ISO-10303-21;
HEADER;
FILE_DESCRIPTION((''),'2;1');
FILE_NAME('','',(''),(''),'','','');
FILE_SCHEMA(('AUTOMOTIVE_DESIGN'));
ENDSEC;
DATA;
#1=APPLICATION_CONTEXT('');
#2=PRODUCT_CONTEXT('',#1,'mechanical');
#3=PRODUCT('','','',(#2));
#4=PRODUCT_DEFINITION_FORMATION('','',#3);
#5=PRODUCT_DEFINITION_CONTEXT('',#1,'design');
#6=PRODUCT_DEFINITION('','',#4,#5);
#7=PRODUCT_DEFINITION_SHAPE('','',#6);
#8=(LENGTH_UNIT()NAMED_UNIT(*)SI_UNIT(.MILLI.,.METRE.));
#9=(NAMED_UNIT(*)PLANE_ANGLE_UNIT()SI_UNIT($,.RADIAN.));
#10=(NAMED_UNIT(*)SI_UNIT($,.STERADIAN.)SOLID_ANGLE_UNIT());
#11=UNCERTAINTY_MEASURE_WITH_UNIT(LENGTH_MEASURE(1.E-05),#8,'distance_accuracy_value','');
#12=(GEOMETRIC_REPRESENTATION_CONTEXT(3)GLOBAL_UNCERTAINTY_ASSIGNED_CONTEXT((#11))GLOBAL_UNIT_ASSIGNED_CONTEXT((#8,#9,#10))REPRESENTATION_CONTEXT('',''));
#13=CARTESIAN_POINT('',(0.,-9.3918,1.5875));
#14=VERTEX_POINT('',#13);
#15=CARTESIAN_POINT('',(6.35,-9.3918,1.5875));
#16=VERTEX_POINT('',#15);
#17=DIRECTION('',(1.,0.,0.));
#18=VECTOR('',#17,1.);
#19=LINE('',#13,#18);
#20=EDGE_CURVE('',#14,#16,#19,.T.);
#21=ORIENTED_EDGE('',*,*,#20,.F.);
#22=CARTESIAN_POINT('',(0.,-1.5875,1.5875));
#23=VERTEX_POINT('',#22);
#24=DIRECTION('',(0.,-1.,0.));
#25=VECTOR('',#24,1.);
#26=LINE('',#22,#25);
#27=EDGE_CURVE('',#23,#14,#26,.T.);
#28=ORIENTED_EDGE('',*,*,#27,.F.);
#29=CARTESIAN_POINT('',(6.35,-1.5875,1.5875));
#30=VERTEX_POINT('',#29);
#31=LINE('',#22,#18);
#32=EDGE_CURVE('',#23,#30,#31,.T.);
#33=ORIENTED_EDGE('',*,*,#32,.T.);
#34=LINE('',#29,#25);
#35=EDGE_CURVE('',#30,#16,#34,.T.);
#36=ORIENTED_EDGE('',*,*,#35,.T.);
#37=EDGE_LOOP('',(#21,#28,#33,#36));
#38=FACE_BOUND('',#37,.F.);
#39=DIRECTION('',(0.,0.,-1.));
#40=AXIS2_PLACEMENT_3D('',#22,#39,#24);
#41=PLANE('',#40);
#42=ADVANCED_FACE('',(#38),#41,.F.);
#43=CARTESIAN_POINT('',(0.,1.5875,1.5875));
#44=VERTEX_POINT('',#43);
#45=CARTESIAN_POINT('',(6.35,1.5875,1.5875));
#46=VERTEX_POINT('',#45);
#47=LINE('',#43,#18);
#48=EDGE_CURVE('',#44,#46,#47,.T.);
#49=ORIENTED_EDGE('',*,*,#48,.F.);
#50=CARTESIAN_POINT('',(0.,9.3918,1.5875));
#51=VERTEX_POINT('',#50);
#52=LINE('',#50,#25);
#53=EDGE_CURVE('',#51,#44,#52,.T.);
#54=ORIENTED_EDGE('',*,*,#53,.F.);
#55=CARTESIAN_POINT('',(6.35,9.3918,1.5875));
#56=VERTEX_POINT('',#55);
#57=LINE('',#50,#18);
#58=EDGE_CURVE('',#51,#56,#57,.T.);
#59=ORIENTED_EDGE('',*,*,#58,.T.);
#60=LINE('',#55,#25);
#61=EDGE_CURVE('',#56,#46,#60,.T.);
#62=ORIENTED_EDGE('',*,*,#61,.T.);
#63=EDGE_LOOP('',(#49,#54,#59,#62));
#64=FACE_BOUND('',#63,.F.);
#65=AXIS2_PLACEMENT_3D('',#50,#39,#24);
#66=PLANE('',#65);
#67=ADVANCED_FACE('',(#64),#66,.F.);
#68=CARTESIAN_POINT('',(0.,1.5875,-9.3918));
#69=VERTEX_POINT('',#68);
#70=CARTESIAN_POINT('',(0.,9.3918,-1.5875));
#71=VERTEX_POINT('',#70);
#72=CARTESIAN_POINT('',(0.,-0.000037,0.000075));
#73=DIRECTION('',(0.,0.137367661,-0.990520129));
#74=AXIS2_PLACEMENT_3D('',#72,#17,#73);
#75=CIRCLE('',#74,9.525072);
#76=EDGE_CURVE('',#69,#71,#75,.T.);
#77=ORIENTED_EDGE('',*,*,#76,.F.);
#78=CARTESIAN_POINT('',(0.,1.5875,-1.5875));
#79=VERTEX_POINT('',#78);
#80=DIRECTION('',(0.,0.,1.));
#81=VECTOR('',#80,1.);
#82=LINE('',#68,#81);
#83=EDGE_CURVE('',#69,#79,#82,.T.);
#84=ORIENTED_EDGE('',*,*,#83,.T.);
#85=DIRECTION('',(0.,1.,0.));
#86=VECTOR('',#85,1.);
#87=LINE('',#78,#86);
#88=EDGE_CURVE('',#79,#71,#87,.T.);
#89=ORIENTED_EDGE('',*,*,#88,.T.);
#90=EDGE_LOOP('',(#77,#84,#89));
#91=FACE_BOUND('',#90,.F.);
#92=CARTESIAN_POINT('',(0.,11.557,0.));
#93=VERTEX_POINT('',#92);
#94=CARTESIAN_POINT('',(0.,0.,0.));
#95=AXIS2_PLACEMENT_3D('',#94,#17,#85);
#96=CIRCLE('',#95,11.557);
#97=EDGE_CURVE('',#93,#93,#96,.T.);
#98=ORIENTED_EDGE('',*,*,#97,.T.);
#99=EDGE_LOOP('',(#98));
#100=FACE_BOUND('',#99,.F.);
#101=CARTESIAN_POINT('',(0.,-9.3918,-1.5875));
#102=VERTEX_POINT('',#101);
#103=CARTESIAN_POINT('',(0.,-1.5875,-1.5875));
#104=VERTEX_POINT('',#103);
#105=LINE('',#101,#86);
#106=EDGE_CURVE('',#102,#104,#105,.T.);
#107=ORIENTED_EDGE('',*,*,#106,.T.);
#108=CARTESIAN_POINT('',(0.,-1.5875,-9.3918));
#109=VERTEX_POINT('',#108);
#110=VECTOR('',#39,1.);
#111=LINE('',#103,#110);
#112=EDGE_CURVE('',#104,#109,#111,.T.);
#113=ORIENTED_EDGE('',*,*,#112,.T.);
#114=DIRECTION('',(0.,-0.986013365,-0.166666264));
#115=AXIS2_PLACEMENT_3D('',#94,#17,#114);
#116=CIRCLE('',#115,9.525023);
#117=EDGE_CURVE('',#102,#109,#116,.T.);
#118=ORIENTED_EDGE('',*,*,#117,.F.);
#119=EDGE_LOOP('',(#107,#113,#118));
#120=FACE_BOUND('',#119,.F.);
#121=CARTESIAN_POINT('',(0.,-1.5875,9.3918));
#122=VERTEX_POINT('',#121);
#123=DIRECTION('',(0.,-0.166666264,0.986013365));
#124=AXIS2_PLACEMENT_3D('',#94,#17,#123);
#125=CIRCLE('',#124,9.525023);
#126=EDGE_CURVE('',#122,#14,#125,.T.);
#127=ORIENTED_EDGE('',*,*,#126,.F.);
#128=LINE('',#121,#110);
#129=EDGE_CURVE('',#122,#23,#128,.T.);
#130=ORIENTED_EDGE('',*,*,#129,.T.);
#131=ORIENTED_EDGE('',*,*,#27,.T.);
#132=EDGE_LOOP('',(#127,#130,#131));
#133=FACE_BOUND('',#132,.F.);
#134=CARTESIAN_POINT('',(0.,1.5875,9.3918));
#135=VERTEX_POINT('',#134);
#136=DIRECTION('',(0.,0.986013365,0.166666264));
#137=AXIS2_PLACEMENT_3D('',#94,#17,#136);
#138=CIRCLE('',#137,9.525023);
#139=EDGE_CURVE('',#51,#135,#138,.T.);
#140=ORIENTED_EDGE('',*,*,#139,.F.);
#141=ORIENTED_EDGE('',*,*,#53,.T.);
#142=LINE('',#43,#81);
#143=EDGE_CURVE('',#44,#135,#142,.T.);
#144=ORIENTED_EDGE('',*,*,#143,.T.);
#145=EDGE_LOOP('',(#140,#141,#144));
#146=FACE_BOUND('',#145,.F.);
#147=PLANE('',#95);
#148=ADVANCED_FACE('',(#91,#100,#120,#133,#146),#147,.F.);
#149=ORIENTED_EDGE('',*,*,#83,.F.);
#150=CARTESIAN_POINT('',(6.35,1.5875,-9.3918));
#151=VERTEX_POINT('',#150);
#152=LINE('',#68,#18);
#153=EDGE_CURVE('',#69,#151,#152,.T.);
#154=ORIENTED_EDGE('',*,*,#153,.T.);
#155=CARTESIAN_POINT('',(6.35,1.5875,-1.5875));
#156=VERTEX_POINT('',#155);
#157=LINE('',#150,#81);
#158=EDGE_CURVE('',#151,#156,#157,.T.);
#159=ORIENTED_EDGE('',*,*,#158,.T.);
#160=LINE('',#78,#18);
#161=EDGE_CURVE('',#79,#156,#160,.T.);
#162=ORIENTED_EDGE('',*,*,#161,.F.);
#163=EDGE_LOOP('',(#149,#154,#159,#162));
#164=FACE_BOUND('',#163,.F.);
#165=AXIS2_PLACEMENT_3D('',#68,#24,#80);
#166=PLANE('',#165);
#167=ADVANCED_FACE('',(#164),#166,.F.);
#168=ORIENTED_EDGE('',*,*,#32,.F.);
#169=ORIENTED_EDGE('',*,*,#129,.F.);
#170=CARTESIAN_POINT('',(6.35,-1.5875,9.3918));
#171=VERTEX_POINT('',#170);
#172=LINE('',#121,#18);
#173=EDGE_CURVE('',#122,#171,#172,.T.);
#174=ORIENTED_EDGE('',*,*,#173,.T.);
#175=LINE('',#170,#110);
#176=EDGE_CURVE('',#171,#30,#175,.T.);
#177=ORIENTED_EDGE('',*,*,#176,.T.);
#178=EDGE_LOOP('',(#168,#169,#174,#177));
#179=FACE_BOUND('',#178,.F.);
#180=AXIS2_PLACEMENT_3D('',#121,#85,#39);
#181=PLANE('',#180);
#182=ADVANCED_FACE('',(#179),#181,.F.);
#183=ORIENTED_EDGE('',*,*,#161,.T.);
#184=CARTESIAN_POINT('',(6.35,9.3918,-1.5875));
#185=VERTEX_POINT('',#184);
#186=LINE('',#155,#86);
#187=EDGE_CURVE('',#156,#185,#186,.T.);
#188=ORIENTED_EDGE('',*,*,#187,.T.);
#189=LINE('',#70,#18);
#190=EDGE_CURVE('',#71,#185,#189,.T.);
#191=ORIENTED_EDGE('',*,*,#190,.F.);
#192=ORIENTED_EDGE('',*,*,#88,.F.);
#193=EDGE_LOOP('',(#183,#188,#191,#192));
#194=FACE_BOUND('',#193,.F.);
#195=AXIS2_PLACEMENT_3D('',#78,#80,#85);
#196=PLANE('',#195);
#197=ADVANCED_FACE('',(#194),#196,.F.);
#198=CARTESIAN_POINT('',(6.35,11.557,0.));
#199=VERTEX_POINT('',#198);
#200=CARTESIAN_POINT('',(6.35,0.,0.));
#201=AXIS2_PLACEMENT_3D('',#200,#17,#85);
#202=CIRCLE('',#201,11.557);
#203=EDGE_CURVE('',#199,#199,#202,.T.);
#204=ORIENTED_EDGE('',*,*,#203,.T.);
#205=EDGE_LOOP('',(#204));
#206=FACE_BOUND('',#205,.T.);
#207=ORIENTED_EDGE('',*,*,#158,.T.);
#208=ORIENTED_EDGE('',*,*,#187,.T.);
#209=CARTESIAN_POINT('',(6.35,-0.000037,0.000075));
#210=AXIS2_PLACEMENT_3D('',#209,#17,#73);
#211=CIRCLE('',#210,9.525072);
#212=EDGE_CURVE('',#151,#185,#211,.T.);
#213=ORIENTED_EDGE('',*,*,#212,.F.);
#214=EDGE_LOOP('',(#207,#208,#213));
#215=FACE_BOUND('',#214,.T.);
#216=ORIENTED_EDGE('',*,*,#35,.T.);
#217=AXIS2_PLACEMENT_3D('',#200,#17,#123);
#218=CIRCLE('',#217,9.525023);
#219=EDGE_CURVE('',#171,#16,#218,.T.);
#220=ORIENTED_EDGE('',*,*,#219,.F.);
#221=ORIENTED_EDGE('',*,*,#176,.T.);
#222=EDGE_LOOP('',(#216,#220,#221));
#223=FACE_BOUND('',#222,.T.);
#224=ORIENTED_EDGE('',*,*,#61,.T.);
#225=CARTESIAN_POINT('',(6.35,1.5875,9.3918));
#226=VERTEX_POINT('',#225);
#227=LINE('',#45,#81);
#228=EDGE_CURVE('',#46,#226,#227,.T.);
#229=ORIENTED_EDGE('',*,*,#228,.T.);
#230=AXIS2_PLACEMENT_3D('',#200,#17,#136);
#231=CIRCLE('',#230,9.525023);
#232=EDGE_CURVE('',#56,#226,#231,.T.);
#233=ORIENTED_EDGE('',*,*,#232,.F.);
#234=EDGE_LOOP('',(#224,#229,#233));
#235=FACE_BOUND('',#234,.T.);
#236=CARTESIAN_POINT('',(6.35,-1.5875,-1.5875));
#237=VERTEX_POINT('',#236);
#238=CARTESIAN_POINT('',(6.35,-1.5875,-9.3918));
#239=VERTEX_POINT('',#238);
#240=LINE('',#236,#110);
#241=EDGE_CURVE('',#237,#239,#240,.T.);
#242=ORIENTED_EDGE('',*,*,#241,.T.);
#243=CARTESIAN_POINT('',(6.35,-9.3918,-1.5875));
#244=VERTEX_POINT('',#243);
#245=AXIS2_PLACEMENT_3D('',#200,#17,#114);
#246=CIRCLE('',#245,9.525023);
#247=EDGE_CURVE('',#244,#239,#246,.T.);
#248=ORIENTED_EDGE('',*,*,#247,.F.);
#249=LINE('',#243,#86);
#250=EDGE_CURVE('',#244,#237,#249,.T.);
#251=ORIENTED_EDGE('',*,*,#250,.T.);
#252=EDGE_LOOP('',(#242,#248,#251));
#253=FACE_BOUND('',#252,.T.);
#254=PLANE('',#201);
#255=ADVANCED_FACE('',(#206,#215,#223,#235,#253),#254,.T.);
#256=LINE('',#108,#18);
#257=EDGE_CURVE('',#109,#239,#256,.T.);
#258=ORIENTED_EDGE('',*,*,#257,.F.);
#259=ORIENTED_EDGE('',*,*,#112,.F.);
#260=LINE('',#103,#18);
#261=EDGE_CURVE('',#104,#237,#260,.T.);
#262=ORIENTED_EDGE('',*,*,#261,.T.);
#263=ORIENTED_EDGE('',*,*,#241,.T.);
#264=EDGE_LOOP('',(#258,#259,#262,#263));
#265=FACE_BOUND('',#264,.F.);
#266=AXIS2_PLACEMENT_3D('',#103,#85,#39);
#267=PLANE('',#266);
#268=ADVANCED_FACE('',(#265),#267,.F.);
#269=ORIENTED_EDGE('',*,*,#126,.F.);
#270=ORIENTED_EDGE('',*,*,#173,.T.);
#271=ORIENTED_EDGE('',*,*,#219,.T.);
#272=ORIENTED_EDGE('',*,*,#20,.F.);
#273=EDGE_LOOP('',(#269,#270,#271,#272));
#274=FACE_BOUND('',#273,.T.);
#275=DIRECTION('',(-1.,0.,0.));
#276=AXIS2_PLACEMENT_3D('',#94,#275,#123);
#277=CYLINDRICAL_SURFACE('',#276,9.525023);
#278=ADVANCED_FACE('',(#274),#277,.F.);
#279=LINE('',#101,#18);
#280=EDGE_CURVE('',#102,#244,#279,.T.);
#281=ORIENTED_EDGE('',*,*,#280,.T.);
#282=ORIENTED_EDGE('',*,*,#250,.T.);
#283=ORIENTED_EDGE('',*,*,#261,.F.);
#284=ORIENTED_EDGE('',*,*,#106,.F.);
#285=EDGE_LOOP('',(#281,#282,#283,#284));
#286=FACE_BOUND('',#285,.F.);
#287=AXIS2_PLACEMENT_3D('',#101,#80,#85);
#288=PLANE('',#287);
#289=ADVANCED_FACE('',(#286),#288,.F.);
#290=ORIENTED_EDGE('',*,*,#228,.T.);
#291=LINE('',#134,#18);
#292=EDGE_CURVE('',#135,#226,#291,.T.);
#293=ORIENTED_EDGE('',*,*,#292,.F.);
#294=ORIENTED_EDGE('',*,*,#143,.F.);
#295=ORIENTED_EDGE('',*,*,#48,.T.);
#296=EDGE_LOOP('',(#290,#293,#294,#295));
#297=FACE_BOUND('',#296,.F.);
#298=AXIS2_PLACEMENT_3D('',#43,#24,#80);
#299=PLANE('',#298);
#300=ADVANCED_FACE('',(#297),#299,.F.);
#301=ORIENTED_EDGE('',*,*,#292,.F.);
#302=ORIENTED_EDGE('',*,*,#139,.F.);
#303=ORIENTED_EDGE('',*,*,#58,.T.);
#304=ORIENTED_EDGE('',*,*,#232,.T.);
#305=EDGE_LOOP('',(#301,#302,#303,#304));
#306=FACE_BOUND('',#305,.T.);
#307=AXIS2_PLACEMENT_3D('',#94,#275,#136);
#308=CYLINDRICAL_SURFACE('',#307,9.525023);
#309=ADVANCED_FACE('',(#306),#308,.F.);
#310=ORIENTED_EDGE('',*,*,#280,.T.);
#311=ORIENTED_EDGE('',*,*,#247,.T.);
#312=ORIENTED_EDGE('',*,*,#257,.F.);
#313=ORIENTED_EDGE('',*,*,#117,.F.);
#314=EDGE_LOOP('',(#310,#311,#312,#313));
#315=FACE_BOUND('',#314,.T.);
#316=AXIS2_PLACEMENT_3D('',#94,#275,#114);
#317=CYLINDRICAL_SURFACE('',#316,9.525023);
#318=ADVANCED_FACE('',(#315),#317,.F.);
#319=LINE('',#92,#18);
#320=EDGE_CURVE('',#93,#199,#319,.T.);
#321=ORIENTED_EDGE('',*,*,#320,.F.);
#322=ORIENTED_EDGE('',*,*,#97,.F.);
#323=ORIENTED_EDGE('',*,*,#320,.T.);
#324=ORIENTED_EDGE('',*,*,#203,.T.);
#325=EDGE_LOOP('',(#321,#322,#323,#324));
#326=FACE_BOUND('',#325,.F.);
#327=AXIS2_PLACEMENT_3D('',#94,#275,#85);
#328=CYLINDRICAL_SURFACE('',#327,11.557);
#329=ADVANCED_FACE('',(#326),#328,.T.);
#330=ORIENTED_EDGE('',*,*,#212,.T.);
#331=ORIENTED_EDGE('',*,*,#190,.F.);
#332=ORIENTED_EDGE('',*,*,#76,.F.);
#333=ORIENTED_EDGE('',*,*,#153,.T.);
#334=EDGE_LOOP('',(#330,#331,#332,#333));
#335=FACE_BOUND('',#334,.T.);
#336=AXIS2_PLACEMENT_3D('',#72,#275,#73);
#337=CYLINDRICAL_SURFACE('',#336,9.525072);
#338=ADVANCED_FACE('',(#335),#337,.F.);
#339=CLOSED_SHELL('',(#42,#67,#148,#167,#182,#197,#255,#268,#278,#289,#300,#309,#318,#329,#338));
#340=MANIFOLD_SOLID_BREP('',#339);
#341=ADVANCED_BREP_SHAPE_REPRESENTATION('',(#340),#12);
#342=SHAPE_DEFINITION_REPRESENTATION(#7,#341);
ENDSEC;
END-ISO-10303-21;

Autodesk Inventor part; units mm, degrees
ref_plane "YZ Plane" through (0, 0, 0) normal (1, 0, 0) x (0, 1, 0)
ref_plane "XZ Plane" through (0, 0, 0) normal (0, 1, 0) x (-1, 0, 0)
ref_plane "XY Plane" through (0, 0, 0) normal (0, 0, 1) x (1, 0, 0)
sketch "Sketch1" plane through (0, 0, 0) normal (1, 0, 0) x (0, 1, 0)
  circle A0 centre (0, 0) radius 11.557
  arc A1 (1.3084, -9.4347) -> (9.3918, -1.5875) centre (0, 0) ccw
  arc A2 (9.3918, 1.5875) -> (1.5875, 9.3918) centre (0, 0) ccw
  arc A3 (-1.5875, 9.3918) -> (-9.3918, 1.5875) centre (0, 0) ccw
  arc A4 (-9.3918, -1.5875) -> (-1.5875, -9.3918) centre (0, 0) ccw
  line L0 (1.5875, -9.3918) -> (1.5875, -1.5875)
  line L1 (1.5875, 1.5875) -> (1.5875, 9.3918)
  line L2 (9.3918, 1.5875) -> (1.5875, 1.5875)
  line L3 (-1.5875, 1.5875) -> (-9.3918, 1.5875)
  line L4 (-1.5875, 9.3918) -> (-1.5875, 1.5875)
  line L5 (-1.5875, -1.5875) -> (-1.5875, -9.3918)
  line L6 (-9.3918, -1.5875) -> (-1.5875, -1.5875)
  line L7 (1.5875, -1.5875) -> (9.3918, -1.5875)
  dimension "d0" = 23.114
extrude "Extrusion1" add sketch "Sketch1" along normal blind 6.35
properties part number "PAP"
